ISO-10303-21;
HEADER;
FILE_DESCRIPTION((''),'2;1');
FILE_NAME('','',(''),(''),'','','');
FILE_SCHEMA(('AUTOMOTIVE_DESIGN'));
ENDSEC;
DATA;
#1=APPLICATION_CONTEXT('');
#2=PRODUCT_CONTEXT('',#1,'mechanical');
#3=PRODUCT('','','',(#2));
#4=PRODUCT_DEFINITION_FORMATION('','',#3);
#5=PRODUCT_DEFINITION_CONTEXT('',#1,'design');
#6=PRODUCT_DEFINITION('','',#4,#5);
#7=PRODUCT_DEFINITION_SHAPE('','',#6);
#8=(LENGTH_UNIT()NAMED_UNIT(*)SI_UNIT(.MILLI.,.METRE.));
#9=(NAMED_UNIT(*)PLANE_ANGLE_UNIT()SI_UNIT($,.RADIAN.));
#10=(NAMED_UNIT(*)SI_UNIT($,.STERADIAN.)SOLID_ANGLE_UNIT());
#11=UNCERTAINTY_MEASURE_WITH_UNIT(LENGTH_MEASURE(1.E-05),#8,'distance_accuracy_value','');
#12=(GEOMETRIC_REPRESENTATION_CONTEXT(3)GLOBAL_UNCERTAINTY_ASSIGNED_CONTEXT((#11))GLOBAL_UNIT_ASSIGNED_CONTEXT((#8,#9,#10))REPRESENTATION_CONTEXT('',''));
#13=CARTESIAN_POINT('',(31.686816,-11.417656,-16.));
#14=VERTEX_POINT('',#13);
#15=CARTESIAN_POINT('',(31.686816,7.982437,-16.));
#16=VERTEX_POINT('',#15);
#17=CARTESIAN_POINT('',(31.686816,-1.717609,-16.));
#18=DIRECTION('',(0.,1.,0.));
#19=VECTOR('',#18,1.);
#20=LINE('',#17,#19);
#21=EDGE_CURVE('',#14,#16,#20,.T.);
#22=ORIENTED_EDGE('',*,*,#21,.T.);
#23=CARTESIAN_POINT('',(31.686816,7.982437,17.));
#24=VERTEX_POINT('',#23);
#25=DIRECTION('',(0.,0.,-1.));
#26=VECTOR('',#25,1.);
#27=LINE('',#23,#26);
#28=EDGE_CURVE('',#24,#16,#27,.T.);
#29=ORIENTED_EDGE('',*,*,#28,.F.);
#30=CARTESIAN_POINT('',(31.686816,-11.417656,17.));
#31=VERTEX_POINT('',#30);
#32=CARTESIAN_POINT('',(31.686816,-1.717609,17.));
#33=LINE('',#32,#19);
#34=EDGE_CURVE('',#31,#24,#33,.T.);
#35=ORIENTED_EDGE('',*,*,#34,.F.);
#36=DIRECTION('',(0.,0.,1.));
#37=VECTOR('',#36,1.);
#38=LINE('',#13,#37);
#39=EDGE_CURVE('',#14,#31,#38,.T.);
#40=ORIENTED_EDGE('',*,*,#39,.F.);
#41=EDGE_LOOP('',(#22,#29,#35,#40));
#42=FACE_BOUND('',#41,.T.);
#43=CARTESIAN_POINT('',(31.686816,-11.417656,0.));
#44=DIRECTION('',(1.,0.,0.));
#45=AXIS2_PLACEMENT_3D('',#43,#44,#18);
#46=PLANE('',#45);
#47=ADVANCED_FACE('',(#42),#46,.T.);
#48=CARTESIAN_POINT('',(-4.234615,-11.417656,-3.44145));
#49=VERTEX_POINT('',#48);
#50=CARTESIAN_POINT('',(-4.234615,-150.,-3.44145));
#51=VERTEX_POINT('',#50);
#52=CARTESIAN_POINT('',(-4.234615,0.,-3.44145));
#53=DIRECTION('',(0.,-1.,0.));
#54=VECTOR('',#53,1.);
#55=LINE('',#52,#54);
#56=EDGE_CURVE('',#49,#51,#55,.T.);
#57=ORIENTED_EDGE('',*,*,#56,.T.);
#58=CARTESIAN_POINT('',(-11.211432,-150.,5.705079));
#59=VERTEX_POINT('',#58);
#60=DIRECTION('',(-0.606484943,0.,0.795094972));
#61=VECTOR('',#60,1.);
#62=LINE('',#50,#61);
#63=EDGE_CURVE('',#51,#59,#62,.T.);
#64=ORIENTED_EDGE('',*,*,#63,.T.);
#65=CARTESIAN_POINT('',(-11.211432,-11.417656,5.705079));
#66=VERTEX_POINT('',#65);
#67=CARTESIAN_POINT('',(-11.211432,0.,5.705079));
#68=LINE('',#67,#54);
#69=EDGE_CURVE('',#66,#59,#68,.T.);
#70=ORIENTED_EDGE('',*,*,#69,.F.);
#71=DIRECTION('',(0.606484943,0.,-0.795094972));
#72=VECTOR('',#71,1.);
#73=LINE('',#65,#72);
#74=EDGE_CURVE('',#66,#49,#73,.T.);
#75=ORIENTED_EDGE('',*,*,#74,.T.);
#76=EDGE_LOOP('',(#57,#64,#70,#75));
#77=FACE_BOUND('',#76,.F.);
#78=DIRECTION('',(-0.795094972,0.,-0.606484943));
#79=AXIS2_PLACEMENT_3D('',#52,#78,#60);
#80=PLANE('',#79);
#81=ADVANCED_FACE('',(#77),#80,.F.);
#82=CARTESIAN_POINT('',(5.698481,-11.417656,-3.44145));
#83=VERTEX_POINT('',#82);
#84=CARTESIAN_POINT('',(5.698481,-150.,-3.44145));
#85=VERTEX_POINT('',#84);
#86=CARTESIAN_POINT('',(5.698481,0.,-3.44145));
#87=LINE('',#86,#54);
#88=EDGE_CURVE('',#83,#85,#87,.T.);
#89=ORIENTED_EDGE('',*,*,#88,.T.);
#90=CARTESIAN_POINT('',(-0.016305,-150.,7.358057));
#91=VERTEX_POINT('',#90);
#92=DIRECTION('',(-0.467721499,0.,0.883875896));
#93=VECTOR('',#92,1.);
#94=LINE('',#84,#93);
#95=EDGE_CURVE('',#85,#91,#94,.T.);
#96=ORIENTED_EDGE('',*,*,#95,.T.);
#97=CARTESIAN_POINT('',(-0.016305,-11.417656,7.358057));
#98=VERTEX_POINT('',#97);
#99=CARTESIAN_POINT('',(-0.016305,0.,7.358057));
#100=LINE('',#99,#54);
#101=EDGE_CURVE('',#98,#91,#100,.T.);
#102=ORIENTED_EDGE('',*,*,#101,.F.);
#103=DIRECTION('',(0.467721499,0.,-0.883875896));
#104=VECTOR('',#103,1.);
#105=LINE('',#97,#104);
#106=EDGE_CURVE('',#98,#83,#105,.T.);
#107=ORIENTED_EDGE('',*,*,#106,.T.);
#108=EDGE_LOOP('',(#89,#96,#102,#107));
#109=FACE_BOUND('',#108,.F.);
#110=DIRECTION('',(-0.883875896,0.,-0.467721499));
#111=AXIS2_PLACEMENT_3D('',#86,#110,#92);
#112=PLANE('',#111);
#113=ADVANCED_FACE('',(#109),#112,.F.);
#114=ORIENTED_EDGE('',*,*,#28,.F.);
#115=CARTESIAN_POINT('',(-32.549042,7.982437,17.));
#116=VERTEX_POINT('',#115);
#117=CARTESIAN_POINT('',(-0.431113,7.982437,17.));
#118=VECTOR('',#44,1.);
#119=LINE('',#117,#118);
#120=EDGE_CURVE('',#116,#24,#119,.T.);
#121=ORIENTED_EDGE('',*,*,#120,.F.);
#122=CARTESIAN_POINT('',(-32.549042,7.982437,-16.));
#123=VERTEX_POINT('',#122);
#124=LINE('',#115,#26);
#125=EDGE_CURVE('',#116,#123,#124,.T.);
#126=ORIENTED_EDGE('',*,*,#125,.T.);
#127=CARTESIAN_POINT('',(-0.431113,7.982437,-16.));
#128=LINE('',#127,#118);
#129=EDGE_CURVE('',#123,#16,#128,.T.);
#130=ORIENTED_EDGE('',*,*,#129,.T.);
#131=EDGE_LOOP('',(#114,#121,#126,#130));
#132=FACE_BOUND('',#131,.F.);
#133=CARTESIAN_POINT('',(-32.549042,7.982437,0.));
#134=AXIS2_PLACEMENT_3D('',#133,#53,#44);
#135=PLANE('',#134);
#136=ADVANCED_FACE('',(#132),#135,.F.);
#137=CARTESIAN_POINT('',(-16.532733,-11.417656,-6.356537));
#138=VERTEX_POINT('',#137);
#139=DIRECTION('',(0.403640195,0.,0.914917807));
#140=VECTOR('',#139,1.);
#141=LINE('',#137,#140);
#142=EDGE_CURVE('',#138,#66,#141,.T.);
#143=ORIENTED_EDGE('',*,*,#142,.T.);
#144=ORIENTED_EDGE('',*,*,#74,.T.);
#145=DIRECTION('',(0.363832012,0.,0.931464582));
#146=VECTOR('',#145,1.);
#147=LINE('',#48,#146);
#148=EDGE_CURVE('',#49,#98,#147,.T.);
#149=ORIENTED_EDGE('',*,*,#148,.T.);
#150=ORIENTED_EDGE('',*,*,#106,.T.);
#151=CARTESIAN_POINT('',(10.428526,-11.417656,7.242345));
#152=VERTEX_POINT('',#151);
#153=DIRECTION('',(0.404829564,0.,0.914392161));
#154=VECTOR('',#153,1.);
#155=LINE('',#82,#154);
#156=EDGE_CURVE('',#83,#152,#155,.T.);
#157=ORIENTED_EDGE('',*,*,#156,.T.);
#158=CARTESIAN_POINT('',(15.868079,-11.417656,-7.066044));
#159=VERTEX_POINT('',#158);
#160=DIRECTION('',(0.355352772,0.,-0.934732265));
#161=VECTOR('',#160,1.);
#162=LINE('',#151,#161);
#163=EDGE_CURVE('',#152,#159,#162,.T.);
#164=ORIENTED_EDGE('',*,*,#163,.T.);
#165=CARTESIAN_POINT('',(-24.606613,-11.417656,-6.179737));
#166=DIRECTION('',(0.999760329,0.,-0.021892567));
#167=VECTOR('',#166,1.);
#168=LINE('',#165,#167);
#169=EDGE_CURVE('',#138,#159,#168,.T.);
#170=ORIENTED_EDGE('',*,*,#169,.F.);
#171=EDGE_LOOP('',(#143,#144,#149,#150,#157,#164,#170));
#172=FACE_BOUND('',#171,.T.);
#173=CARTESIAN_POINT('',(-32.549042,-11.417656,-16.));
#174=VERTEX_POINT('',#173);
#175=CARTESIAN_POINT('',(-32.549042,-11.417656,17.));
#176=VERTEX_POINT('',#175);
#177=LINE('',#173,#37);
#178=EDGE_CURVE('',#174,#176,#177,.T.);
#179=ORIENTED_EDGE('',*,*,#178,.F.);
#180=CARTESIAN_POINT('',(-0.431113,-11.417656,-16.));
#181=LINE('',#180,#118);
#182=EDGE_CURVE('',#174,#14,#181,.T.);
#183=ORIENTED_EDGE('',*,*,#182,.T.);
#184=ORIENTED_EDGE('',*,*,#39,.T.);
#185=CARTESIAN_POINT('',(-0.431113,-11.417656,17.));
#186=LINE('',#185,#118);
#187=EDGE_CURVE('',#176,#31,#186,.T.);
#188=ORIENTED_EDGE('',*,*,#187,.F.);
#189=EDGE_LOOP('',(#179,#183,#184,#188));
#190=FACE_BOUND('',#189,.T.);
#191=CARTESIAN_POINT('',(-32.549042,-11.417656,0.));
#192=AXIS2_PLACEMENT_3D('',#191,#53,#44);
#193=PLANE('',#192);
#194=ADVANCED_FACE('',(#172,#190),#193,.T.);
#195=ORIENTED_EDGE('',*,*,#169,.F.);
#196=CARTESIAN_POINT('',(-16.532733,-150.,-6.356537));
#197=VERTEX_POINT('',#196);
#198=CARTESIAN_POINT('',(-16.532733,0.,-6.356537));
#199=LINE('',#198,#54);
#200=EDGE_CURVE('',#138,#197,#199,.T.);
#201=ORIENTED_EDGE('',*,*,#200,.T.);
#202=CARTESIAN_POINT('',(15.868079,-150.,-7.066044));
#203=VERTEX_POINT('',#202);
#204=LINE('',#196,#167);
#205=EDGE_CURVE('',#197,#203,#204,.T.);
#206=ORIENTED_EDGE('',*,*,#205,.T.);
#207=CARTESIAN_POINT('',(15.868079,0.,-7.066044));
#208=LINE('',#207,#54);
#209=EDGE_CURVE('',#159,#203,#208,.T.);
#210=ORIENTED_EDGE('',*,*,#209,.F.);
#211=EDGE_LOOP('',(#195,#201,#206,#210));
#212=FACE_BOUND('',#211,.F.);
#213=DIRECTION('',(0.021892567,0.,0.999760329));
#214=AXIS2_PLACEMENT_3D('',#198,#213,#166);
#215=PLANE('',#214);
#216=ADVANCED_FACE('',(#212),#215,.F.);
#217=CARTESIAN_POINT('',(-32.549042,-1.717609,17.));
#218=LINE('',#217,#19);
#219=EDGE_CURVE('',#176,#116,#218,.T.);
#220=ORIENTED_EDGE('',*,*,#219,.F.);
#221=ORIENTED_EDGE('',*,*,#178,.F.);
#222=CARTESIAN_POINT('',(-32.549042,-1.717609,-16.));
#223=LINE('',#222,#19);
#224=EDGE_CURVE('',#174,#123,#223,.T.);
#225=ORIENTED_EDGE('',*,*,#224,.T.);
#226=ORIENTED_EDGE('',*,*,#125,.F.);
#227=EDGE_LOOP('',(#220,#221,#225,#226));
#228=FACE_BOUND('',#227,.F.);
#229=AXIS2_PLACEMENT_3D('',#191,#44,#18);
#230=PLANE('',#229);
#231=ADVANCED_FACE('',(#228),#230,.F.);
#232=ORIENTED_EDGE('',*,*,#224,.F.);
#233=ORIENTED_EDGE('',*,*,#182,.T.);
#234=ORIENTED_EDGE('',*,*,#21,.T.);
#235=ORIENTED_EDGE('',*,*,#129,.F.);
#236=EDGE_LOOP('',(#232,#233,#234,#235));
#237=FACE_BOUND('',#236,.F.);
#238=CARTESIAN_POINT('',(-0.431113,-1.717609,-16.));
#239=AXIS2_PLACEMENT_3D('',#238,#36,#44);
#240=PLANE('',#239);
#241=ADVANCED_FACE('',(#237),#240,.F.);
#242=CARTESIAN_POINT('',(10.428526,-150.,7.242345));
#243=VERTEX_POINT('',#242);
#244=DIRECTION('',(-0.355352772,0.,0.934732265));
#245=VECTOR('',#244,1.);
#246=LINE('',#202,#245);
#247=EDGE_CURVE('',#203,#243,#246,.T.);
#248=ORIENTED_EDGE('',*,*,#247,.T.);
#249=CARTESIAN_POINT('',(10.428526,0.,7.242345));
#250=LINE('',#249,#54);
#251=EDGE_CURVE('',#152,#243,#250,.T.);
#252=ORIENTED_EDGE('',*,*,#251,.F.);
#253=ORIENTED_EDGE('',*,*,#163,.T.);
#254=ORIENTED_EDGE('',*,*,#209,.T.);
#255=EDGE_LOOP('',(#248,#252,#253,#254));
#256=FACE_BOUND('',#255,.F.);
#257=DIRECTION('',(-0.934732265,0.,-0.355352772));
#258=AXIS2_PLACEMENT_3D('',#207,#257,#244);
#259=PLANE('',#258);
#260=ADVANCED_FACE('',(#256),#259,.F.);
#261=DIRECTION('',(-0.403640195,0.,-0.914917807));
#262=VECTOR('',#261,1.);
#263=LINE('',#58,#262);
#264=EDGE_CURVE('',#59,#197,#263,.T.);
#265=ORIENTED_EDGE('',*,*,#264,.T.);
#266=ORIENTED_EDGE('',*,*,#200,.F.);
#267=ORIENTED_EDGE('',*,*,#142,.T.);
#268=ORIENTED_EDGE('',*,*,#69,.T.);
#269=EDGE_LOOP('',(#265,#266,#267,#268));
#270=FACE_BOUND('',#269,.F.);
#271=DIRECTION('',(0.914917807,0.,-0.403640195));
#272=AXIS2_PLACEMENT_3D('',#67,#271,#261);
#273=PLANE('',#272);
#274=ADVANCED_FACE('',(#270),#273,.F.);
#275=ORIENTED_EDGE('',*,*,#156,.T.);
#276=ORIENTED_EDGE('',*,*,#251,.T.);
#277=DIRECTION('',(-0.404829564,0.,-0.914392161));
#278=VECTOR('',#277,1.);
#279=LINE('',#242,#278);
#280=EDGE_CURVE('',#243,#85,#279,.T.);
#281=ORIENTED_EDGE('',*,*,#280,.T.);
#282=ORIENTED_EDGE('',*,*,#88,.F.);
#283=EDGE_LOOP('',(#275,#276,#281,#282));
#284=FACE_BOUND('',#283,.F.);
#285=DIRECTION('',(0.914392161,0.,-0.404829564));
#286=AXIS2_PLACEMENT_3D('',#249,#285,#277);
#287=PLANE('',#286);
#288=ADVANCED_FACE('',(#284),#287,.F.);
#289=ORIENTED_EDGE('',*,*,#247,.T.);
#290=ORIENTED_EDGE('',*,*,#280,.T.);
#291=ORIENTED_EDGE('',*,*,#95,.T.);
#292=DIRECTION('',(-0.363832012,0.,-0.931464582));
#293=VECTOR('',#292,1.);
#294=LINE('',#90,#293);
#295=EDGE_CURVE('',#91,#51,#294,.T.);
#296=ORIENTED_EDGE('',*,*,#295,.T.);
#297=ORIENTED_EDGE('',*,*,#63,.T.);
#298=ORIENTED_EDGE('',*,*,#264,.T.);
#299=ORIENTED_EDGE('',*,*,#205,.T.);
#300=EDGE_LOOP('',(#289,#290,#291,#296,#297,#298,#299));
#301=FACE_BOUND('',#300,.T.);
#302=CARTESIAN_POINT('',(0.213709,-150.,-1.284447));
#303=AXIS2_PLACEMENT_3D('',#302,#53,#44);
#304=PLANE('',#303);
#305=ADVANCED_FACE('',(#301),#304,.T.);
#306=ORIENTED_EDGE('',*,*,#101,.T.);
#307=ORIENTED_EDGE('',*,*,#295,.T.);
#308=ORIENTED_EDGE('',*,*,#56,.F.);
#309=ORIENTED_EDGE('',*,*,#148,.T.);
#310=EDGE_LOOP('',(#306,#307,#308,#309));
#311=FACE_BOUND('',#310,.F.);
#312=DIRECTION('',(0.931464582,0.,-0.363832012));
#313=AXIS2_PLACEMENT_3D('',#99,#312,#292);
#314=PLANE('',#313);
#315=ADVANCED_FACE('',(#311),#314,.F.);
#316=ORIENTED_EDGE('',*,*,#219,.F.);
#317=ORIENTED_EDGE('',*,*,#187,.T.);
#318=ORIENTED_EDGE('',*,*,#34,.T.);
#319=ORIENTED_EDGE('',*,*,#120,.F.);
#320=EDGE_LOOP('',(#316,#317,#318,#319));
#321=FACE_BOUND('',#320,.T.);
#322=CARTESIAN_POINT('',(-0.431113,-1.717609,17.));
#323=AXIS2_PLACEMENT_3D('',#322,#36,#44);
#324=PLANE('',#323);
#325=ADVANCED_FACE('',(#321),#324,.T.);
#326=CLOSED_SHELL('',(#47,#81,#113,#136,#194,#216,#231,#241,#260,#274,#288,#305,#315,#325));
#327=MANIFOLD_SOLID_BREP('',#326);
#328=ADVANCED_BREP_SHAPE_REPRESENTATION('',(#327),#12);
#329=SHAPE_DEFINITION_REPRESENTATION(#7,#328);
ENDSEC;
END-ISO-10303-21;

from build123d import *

# Parameters (mm, degrees)
F1_DEPTH      = 150
F2_W          = 64.235858
F2_H          = 19.400093
F3_DEPTH      = 17
F3_DEPTH_BACK = 16


with BuildPart() as f1:
    # F0 (on Front) → F1 (new body)
    with BuildSketch(Plane.XZ):
        Polygon((-11.211432, 5.705079), (-16.532733, -6.356537), (15.868079, -7.066044), (10.428526, 7.242345), (5.698481, -3.44145), (-0.016305, 7.358057), (-4.234615, -3.44145), align=None)
    extrude(amount=F1_DEPTH)

    # F2 (on Top) → F3 (join, two sides)
    with BuildSketch(Plane.XY) as f3_sk:
        with Locations((-0.431113, -1.717609)):
            Rectangle(F2_W, F2_H)
    extrude(amount=F3_DEPTH)
    extrude(f3_sk.sketch, amount=-F3_DEPTH_BACK)


solid = f1.part
